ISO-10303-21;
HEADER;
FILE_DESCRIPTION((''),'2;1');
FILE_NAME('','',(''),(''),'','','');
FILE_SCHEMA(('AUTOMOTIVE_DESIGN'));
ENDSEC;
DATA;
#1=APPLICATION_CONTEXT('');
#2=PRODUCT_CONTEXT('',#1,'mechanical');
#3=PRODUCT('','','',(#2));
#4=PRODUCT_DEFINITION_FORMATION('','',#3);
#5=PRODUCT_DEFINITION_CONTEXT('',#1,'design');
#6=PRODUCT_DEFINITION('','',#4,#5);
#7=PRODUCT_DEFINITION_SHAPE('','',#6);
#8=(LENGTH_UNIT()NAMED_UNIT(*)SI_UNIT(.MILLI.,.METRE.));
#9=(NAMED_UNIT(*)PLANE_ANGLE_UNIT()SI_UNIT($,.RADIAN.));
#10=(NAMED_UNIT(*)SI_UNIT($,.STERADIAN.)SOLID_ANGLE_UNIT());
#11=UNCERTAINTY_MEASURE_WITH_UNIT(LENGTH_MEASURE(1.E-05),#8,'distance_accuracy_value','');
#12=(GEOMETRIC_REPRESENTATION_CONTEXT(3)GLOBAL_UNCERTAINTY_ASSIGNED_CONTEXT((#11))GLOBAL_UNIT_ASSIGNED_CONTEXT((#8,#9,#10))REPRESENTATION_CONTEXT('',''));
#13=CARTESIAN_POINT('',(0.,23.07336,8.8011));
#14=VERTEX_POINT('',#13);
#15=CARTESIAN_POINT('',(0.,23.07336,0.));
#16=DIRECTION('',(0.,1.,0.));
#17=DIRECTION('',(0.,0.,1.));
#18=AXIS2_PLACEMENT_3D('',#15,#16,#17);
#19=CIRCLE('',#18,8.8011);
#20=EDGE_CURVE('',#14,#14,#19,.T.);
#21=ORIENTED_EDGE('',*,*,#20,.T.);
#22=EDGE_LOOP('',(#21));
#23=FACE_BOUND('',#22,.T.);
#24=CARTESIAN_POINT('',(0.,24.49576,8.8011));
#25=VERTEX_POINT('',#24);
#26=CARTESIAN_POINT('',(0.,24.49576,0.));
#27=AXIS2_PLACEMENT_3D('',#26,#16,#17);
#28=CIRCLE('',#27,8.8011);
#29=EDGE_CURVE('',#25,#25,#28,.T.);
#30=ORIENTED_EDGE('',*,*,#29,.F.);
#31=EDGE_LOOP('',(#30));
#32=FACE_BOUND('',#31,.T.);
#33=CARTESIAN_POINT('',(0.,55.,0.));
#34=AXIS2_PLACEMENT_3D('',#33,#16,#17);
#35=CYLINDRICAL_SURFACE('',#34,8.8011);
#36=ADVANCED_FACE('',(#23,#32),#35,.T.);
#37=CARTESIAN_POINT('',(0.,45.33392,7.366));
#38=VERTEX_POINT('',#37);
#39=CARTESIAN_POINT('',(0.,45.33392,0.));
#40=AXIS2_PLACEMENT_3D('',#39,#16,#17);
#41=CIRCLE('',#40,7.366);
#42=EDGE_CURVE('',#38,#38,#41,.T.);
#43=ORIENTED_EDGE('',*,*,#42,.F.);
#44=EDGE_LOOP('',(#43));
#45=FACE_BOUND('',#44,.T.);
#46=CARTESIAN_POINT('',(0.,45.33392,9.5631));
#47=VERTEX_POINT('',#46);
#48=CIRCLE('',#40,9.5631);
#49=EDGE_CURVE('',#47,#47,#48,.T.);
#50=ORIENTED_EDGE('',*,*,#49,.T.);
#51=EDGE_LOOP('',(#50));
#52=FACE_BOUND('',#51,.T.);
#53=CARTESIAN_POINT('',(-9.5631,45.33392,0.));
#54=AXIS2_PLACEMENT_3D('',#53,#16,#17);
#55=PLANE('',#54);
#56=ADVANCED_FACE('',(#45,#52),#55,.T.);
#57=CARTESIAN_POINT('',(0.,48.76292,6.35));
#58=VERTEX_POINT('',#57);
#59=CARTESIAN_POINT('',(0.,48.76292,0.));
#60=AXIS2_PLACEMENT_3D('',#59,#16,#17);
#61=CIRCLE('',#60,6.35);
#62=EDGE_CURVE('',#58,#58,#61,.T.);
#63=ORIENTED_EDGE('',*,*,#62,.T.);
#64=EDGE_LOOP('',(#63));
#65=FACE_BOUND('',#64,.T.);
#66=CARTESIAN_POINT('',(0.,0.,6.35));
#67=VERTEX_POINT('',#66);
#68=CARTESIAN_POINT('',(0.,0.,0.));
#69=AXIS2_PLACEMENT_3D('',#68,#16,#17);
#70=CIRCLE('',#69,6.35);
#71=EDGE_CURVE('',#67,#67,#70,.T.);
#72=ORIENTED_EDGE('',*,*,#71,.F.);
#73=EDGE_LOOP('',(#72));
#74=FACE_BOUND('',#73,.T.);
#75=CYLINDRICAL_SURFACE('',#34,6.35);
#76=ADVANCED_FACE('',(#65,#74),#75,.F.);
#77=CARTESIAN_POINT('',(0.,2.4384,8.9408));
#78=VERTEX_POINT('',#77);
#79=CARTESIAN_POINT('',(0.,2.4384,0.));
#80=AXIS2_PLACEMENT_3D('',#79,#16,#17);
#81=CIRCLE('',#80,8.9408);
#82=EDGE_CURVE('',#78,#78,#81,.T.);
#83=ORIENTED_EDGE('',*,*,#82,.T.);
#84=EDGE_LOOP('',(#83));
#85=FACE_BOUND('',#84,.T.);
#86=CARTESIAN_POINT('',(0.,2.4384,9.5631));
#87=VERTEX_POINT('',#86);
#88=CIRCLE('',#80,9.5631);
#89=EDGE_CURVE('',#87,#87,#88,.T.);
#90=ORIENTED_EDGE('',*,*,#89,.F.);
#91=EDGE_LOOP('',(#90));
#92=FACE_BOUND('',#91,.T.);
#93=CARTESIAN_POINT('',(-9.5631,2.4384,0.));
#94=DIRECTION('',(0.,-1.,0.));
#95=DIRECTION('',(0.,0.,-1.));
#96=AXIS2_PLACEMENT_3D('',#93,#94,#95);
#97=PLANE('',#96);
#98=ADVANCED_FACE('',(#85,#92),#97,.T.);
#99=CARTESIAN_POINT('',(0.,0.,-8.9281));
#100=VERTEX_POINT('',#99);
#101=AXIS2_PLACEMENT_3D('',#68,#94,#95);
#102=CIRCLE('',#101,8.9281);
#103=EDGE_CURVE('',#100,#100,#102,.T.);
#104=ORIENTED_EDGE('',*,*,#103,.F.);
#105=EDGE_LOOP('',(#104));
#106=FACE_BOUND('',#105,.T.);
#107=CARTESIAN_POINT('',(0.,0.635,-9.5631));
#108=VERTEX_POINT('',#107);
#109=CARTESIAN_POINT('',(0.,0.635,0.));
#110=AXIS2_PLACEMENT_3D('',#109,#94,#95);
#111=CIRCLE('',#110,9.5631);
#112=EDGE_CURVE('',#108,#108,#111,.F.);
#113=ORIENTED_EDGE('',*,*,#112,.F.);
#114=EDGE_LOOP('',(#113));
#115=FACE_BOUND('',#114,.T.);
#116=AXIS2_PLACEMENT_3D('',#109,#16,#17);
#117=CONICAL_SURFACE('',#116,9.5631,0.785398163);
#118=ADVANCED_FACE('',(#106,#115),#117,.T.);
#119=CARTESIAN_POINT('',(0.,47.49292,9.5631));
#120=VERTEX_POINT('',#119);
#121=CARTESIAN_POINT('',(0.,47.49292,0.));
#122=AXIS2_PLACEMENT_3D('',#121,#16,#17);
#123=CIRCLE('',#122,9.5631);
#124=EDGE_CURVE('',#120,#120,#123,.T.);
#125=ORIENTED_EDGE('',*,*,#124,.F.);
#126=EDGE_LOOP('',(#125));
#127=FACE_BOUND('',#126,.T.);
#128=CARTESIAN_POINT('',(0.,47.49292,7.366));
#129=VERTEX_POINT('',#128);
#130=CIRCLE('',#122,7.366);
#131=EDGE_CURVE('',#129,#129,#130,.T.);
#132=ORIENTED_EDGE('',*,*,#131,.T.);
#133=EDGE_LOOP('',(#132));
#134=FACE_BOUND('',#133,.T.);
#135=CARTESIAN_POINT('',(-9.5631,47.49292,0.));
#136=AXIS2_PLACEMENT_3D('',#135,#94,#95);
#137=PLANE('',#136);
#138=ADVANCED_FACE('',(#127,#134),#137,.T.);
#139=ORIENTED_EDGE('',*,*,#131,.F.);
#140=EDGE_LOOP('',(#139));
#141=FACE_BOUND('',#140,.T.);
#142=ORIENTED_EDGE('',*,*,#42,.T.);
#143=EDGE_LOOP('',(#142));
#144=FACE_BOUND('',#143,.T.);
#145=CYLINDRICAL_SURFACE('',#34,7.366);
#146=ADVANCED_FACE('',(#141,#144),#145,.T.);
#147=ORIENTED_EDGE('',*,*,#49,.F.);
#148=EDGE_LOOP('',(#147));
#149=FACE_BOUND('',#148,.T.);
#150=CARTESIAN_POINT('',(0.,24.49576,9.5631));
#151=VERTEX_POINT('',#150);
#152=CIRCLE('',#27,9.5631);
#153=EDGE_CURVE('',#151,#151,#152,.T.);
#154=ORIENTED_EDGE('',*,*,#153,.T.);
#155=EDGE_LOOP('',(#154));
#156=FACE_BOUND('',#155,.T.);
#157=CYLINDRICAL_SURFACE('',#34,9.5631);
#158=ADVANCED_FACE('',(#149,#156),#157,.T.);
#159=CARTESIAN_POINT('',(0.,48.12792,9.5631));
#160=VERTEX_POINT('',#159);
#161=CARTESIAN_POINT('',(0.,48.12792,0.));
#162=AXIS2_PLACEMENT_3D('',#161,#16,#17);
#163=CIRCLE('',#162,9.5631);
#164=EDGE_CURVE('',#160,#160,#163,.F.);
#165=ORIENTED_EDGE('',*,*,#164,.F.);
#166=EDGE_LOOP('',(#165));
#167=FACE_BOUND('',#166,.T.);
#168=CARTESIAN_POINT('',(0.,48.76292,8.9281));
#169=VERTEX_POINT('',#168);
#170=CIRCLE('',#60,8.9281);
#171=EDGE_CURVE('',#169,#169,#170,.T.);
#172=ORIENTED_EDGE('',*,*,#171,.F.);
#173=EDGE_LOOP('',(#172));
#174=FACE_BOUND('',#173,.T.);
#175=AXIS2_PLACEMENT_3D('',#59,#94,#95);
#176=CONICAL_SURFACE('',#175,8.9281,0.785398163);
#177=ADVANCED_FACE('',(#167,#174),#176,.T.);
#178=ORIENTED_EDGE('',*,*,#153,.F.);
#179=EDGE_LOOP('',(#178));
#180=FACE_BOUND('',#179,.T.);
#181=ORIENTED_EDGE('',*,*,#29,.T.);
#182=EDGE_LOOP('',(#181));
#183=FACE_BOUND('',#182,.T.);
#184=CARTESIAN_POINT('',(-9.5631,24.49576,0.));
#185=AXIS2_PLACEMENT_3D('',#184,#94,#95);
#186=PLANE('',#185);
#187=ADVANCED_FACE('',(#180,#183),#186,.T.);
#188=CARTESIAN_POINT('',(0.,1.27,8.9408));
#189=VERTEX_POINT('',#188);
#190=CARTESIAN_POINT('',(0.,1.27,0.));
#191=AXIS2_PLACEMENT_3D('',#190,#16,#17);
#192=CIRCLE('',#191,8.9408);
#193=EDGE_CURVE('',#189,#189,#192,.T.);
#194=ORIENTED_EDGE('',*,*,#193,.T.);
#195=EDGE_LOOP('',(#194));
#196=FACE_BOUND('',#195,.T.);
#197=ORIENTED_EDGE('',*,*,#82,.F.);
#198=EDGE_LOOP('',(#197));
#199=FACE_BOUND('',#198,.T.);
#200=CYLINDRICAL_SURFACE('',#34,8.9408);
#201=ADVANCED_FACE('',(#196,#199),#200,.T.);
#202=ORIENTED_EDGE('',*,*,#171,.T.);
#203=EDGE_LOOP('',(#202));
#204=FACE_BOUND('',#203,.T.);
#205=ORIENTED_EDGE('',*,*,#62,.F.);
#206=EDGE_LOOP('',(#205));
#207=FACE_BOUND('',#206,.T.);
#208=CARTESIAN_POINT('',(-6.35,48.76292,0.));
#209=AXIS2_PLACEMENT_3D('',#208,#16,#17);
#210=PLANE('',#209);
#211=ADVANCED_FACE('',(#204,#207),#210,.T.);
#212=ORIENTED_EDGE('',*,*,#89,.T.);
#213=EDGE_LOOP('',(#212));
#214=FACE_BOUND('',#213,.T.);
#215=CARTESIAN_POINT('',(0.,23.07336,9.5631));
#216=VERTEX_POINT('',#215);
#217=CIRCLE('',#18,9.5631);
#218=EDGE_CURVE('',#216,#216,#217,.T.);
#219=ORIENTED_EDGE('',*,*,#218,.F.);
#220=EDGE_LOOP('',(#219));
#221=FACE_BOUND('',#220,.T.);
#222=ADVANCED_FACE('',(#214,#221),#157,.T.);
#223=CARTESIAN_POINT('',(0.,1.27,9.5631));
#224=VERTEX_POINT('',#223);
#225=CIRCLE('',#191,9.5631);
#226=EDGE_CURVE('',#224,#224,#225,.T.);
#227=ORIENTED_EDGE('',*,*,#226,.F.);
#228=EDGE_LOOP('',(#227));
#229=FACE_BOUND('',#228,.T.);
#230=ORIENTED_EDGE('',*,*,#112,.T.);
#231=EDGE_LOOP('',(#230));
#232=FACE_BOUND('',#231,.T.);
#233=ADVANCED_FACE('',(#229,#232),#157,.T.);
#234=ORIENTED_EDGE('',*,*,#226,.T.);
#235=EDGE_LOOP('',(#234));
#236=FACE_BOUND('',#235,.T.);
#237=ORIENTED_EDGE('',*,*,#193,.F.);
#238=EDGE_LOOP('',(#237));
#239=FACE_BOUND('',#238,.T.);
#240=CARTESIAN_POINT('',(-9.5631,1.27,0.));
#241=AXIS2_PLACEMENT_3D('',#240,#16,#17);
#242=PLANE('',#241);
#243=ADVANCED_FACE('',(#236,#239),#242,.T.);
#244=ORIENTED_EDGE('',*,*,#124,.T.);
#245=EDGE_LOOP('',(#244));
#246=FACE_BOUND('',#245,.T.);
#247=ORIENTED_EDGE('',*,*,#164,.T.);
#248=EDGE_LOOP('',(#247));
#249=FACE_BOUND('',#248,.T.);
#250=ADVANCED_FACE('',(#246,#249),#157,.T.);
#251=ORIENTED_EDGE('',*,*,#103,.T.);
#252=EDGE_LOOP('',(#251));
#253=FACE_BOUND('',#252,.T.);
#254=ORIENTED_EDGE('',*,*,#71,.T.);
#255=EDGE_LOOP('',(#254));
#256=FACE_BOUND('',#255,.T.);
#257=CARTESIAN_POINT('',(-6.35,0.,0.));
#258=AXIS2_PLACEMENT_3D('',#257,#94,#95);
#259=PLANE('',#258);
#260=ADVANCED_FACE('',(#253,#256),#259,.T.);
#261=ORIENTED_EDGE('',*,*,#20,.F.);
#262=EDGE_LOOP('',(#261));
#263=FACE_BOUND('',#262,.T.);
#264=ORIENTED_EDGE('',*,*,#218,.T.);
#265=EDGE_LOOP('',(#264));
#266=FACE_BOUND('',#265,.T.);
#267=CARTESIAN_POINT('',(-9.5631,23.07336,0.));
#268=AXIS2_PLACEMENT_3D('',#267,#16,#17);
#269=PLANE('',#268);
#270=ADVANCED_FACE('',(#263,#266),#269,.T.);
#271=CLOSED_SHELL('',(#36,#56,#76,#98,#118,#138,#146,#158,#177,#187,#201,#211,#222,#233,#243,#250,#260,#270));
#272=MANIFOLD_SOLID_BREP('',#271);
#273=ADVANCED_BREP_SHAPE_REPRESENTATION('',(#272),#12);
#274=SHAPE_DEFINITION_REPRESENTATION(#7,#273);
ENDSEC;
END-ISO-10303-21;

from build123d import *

# Parameters (mm, degrees)
CHAMFER1_SIZE = 0.635


with BuildPart() as part:
    # Sketch1 → Revolve1 (revolve)
    with BuildSketch(Plane.XY):
        Polygon((-9.5631, 24.49576), (-9.5631, 45.33392), (-7.366, 45.33392), (-7.366, 47.49292), (-9.5631, 47.49292), (-9.5631, 48.76292), (-6.35, 48.76292), (-6.35, 0), (-9.5631, 0), (-9.5631, 1.27), (-8.9408, 1.27), (-8.9408, 2.4384), (-9.5631, 2.4384), (-9.5631, 23.07336), (-8.8011, 23.07336), (-8.8011, 24.49576), align=None)
    revolve(axis=Axis((0, 55, 0), (0, -1, 0)))

    # Chamfer1
    chamfer1_edges = [part.edges().sort_by_distance(p)[0] for p in [
        (9.5631, 0, 0),
        (9.5631, 48.76292, 0),
    ]]
    chamfer(chamfer1_edges, length=CHAMFER1_SIZE)


solid = part.part
